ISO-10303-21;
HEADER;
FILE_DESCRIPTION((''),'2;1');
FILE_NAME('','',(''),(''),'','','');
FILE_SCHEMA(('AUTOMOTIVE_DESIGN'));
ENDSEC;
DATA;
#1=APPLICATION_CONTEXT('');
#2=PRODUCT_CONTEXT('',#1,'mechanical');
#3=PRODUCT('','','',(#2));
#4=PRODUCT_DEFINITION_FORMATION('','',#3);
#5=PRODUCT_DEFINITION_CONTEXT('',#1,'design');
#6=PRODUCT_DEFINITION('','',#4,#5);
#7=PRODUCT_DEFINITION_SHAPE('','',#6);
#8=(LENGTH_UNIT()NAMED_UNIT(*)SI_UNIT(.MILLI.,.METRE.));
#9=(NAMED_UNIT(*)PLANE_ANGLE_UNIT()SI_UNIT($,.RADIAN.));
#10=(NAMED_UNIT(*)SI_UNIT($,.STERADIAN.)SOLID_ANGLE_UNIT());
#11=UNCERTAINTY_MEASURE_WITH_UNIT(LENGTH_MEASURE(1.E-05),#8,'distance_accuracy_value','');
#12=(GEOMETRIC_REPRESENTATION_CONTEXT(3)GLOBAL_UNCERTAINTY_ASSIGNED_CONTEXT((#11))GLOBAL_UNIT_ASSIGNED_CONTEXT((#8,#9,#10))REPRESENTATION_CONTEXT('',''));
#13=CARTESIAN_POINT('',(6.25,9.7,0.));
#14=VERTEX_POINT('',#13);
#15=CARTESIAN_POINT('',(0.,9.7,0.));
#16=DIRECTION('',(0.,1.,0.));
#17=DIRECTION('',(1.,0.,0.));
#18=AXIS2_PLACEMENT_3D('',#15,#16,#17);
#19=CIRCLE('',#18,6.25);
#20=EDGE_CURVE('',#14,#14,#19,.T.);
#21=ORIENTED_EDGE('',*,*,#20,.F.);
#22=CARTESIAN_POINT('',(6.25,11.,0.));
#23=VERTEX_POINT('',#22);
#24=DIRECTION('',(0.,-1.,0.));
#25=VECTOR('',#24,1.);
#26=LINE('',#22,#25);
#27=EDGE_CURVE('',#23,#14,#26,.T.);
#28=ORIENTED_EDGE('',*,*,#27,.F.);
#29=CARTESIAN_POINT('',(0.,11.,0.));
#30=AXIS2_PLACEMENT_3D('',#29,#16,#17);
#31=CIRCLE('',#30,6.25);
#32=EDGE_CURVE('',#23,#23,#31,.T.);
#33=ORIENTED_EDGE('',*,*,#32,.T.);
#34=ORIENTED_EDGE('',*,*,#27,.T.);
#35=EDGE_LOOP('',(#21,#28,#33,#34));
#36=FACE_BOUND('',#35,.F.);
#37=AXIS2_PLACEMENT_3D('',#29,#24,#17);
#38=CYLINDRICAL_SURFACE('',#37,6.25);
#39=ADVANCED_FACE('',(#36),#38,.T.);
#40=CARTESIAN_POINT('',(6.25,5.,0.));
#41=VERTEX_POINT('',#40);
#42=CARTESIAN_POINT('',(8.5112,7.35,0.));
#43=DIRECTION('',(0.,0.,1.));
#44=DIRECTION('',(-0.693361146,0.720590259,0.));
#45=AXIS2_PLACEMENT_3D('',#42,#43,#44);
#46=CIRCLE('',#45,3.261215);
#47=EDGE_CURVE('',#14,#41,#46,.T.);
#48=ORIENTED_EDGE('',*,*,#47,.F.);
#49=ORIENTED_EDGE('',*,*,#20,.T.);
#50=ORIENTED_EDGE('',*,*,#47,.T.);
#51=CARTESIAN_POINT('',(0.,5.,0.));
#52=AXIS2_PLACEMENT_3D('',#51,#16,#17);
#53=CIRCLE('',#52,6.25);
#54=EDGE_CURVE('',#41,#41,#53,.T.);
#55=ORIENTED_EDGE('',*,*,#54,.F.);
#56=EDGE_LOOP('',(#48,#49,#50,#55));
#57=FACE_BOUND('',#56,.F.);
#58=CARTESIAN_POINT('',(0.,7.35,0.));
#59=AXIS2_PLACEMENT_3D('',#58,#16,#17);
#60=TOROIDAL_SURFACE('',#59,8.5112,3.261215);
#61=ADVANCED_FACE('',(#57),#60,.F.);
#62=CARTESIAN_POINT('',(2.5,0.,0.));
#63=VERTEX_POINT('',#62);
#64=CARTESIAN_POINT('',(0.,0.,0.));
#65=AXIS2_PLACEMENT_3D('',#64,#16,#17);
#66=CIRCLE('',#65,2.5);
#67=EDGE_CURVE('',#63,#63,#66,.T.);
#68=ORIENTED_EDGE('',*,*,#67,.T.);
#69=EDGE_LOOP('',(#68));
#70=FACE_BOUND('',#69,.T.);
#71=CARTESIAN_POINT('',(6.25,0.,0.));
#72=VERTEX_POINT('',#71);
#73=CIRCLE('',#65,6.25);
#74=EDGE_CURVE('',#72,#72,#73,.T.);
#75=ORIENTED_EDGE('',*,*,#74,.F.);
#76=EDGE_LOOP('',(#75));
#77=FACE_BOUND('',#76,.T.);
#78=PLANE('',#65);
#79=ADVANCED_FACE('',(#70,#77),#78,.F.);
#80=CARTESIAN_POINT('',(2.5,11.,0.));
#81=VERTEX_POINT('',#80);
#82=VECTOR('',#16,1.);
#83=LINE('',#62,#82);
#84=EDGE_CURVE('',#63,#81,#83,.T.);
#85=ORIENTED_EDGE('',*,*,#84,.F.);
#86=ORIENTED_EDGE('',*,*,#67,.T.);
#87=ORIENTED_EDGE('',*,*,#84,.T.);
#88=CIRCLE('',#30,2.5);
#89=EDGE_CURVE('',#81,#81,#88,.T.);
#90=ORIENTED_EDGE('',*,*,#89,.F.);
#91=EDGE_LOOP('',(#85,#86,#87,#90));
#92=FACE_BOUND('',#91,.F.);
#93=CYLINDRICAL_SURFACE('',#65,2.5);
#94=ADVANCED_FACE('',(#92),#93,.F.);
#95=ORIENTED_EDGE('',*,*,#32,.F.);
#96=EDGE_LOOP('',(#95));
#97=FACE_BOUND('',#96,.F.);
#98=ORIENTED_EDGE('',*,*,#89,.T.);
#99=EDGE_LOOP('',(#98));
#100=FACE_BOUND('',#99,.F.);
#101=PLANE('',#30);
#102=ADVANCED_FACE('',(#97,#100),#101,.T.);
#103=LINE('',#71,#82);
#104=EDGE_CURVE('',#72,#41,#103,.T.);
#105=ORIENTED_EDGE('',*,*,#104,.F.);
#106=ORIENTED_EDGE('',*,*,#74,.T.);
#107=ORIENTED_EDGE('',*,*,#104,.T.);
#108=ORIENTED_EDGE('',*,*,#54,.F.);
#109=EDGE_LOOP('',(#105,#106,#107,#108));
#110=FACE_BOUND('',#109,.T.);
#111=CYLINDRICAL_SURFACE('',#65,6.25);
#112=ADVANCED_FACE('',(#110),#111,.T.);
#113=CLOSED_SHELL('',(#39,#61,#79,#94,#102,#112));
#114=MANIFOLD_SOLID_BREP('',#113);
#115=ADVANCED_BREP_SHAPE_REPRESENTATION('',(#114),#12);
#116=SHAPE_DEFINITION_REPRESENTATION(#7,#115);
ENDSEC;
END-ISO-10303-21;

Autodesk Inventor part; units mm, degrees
ref_plane "YZ Plane" through (0, 0, 0) normal (1, 0, 0) x (0, 1, 0)
ref_plane "XZ Plane" through (0, 0, 0) normal (0, 1, 0) x (-1, 0, 0)
ref_plane "XY Plane" through (0, 0, 0) normal (0, 0, 1) x (1, 0, 0)
sketch "Sketch1" plane through (0, 0, 0) normal (0, 0, 1) x (1, 0, 0)
  line L0 (0, 0) -> (0, 11)
  line L1 (0, 11) -> (6.25, 11)
  line L2 (6.25, 11) -> (6.25, 9.7)
  line L3 (0, 0) -> (6.25, 0)
  line L4 (6.25, 0) -> (6.25, 5)
  arc A0 (6.25, 9.7) -> (6.25, 5) centre (8.5112, 7.35) ccw
  line L5 (2.5, 0) -> (2.5, 11)
  dimension "d0" = 11
  dimension "d1" = 6.25
  dimension "d2" = 1.3
  dimension "d3" = 5
  dimension "d4" = 5.25
  dimension "d5" = 2.5
revolve "Revolution1" add sketch "Sketch1" angle 360 about axis through (0, 0, 0) along (0, 1, 0) contours L5 L1 L2 A0 L4 L3
properties part number "zebatka"
